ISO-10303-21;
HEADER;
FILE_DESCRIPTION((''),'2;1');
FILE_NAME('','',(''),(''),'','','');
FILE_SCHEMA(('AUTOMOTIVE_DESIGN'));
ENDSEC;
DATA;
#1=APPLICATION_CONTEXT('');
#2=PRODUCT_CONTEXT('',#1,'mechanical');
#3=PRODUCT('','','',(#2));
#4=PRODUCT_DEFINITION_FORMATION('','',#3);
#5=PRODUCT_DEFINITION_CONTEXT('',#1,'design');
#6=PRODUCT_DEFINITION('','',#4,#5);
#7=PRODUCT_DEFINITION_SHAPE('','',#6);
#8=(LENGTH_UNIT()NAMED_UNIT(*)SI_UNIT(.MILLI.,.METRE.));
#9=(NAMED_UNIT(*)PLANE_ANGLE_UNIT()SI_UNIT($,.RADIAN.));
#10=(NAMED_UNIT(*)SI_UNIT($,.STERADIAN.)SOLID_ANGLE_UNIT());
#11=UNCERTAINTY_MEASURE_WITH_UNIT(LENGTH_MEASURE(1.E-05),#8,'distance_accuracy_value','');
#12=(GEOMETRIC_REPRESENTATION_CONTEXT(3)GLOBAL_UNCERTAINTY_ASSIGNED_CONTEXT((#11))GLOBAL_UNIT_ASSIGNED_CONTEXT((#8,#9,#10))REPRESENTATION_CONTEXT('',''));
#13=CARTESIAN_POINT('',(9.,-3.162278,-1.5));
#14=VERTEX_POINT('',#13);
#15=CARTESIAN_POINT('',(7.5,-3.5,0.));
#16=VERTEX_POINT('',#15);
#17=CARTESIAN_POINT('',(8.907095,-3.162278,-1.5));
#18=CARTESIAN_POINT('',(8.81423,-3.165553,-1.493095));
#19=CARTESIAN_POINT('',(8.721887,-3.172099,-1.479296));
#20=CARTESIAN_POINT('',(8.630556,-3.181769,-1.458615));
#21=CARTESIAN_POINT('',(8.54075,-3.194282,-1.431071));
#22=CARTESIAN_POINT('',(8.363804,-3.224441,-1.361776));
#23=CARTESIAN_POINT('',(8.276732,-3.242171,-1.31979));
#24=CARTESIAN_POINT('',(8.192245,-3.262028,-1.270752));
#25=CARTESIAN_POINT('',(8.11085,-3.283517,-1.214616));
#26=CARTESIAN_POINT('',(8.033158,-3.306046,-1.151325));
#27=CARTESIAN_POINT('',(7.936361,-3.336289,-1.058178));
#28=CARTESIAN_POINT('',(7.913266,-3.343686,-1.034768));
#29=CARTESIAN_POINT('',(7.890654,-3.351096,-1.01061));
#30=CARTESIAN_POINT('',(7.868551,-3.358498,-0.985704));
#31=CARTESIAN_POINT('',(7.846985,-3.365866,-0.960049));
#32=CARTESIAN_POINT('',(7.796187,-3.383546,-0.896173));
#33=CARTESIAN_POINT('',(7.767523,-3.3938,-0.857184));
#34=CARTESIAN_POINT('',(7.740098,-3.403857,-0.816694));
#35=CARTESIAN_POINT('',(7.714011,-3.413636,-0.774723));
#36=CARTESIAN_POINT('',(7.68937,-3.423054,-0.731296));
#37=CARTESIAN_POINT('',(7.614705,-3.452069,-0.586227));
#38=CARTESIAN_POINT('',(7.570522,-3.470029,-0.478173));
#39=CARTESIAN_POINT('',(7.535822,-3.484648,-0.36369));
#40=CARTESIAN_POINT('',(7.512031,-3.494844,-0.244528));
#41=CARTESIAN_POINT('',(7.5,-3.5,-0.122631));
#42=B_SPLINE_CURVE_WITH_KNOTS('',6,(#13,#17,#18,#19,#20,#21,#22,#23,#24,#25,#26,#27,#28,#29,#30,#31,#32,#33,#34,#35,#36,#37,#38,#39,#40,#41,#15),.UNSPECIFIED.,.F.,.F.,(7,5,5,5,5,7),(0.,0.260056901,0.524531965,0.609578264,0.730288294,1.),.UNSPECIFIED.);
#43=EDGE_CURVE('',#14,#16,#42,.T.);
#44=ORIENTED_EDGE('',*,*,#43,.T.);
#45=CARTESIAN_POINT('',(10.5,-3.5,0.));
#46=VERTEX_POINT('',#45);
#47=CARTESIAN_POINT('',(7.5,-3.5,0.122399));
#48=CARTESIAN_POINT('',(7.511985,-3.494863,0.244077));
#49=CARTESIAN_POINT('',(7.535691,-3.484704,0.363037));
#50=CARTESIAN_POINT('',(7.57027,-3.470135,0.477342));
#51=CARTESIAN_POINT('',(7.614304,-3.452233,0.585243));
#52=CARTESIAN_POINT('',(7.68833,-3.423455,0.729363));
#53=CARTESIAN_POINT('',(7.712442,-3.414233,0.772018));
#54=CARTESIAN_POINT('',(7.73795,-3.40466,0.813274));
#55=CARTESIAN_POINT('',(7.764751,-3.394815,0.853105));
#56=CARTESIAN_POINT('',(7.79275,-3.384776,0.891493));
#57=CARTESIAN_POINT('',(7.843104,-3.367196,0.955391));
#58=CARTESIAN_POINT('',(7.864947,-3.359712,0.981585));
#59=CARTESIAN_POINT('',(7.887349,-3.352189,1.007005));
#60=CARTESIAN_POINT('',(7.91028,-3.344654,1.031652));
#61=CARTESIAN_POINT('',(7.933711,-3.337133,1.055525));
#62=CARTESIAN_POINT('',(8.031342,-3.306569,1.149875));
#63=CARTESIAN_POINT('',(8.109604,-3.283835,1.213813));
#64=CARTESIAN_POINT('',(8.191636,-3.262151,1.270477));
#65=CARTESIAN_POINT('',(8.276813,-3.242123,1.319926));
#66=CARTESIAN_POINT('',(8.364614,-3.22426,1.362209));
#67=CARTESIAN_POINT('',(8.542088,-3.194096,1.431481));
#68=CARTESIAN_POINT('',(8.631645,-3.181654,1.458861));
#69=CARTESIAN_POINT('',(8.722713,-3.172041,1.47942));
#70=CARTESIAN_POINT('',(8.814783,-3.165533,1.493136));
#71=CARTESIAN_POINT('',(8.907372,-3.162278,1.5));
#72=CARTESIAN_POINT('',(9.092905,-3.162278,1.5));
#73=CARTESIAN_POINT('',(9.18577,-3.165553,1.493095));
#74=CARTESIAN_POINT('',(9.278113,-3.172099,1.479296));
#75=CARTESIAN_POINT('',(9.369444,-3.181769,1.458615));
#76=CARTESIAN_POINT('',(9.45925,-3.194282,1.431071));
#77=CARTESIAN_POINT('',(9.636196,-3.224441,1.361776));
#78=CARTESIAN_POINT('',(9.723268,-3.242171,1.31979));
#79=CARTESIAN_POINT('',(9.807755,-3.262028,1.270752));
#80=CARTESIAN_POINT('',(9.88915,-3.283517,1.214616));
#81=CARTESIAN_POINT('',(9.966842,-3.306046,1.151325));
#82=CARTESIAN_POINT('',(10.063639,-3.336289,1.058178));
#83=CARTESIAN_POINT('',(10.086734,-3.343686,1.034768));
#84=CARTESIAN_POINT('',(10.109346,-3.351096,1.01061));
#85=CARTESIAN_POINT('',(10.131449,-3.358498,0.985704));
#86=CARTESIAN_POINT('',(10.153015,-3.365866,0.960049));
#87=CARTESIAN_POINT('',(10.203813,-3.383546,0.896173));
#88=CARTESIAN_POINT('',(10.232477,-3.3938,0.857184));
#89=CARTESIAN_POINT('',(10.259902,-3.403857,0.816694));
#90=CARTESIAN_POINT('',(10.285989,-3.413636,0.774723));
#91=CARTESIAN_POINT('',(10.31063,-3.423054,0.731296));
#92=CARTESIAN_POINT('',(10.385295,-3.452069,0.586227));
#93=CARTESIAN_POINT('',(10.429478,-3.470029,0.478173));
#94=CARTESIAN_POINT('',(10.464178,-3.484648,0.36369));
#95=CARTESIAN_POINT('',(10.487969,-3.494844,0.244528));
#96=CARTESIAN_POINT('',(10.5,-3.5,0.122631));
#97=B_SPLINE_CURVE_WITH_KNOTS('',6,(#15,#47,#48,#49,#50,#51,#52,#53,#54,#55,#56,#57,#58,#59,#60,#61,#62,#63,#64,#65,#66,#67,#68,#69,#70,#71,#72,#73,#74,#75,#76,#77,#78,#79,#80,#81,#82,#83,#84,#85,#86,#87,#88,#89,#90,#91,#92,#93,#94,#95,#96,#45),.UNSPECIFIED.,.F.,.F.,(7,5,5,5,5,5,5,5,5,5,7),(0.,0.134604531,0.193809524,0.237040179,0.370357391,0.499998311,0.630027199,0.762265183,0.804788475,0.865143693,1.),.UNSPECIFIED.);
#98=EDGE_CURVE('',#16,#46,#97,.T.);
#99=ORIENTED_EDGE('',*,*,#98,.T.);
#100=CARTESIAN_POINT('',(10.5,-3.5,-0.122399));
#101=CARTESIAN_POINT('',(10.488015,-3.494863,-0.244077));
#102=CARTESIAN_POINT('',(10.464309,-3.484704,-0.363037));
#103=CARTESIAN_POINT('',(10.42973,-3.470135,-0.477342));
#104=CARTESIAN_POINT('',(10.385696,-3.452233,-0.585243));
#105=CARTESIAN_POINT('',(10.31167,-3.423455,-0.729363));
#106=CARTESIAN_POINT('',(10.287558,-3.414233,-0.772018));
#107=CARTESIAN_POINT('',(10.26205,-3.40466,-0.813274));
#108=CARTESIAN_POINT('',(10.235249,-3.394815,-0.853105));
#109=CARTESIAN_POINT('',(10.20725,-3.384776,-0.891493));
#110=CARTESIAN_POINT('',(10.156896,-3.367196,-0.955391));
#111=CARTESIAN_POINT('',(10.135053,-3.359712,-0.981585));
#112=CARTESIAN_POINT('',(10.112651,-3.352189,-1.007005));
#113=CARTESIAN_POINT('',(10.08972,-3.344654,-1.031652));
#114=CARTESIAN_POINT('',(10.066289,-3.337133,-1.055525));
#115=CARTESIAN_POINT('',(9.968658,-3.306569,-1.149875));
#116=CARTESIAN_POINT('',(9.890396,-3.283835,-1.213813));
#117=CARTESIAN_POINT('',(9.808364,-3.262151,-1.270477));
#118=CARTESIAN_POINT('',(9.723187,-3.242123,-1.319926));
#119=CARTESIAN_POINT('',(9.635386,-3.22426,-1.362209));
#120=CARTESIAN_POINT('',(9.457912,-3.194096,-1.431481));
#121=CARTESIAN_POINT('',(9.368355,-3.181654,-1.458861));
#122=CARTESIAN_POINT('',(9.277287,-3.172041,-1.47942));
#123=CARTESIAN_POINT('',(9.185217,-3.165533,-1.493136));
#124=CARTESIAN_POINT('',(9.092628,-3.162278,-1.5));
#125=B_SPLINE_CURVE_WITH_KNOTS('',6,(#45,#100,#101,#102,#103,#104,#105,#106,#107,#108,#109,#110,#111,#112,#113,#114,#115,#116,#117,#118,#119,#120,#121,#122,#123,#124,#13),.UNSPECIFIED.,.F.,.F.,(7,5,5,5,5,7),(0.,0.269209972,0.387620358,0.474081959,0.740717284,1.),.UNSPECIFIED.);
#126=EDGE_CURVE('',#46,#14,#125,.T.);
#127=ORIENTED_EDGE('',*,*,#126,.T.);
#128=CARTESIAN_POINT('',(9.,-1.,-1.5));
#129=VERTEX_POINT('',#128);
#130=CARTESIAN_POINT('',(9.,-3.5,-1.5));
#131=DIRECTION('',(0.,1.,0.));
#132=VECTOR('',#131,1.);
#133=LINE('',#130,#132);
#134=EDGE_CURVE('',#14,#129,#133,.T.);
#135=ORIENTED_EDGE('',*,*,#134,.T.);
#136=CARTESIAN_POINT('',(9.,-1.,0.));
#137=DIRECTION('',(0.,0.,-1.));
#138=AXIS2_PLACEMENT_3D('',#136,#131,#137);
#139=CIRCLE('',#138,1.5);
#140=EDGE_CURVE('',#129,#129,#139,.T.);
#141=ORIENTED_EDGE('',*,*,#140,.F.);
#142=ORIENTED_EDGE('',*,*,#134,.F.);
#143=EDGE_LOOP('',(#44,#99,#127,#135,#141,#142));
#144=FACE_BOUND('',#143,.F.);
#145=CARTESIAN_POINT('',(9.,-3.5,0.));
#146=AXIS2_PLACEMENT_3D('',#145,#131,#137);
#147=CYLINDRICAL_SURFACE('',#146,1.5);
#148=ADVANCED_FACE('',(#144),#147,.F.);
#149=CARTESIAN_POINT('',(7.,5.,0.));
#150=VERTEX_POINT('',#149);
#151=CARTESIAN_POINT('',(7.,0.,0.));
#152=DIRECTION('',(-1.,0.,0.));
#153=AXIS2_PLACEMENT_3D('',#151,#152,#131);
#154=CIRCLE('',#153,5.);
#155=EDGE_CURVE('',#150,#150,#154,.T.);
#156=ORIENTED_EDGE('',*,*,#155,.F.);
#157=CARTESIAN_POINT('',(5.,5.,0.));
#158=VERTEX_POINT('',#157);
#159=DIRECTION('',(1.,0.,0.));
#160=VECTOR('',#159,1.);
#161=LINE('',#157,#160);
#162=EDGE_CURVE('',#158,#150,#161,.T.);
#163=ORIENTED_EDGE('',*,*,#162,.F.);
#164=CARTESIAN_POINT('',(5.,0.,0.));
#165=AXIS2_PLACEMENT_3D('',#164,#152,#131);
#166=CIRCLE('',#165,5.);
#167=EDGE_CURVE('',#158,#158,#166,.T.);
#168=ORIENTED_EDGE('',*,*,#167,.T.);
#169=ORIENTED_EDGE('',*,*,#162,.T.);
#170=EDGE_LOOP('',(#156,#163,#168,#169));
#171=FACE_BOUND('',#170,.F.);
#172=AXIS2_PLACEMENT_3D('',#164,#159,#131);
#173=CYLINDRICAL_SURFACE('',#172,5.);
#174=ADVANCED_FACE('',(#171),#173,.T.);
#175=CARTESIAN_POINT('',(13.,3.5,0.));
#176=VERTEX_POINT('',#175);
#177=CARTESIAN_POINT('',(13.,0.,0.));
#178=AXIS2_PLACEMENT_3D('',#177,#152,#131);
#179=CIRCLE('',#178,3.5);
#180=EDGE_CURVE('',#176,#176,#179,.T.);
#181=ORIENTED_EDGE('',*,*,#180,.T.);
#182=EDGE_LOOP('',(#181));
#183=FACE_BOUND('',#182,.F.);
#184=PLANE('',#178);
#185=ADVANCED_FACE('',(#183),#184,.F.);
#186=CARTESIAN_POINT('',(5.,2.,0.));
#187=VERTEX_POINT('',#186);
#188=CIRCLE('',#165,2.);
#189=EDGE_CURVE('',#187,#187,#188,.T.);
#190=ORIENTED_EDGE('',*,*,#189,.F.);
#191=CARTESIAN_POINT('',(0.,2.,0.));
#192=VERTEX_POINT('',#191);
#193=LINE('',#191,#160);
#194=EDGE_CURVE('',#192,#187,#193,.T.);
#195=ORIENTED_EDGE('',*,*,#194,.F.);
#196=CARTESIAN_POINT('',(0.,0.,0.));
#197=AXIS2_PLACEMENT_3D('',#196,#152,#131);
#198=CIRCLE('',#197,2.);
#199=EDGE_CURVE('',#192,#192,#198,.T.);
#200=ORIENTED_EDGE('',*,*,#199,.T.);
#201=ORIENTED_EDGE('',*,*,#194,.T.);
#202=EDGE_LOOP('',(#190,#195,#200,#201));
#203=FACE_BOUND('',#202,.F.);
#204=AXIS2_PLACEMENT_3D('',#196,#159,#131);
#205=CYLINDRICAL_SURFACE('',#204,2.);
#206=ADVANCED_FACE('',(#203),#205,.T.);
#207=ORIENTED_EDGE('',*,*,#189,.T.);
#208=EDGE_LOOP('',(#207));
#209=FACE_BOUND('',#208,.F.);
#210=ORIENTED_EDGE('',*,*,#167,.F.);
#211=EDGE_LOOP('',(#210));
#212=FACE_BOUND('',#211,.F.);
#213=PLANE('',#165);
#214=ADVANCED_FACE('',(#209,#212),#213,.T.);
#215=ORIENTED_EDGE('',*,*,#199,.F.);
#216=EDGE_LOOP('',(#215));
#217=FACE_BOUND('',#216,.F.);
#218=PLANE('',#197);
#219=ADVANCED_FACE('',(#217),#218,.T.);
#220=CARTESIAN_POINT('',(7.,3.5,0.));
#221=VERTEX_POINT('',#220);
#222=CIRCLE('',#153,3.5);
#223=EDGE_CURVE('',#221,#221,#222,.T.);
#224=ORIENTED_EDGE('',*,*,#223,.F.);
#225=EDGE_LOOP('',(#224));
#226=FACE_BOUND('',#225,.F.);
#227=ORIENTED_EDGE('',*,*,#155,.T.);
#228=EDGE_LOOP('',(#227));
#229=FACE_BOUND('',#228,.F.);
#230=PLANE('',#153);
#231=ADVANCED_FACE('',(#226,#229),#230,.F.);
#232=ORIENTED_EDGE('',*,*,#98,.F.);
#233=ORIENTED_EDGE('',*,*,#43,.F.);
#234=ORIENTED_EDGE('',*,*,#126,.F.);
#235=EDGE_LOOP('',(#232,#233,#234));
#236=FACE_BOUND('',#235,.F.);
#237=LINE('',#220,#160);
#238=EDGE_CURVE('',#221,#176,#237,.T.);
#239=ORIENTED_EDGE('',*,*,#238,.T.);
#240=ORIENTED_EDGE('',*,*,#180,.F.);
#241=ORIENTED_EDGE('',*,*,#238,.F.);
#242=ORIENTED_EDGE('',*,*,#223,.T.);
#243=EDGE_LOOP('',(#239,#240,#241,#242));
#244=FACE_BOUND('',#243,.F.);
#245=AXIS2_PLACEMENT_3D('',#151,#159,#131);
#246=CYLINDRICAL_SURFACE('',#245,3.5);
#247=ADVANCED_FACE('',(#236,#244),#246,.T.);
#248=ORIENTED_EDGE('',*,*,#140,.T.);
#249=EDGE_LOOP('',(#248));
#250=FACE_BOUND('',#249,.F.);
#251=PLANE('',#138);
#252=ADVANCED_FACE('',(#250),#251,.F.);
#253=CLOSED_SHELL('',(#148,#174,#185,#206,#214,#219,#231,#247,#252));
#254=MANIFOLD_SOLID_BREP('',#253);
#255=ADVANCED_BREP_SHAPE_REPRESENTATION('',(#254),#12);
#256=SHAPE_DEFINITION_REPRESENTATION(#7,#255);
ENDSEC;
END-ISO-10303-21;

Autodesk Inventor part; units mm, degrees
ref_plane "YZ Plane" through (0, 0, 0) normal (1, 0, 0) x (0, 1, 0)
ref_plane "XY Plane" through (0, 0, 0) normal (0, 0, 1) x (1, 0, 0)
sketch "Sketch1" plane through (0, 0, 0) normal (0, 0, 1) x (1, 0, 0)
  line L0 (0, 0) -> (0, 2)
  line L1 (0, 2) -> (5, 2)
  line L2 (5, 2) -> (5, 5)
  line L3 (5, 5) -> (7, 5)
  line L4 (7, 5) -> (7, 3.5)
  line L5 (7, 3.5) -> (13, 3.5)
  line L6 (13, 3.5) -> (13, 0)
  line L7 (13, 0) -> (0, 0)
  point P0 (10, 3.5)
  dimension "d0" = 4
  dimension "d1" = 5
  dimension "d2" = 2
  dimension "d3" = 10
  dimension "d4" = 7
  dimension "d5" = 6
revolve "Revolution1" add sketch "Sketch1" angle 360 about axis through (13, 0, 0) along (-1, 0, 0)
thread "Thread1" size "M4x0.7" class "6g" standard "ISO Metric profile" length 10
ref_plane "Work Plane3" through (0, -3.5, 0) normal (0, 1, 0) x (-1, 0, 0)
sketch "Sketch5" plane through (0, -3.5, 0) normal (0, 1, 0) x (-1, 0, 0)
  line L0 (-13, -3.5) -> (-13, 3.5) projected
  point P0 (0, 0)
  point P1 (-9, 0)
  dimension "d13" = 4
hole "Hole1" at (9, -3.5, 0) direction (0, 1, 0) diameter 3 depth 2.5
thread "Thread2" size "M3x0.5" class "6H" standard "ISO Metric profile" length 10
properties part number "134" material "Lead"
